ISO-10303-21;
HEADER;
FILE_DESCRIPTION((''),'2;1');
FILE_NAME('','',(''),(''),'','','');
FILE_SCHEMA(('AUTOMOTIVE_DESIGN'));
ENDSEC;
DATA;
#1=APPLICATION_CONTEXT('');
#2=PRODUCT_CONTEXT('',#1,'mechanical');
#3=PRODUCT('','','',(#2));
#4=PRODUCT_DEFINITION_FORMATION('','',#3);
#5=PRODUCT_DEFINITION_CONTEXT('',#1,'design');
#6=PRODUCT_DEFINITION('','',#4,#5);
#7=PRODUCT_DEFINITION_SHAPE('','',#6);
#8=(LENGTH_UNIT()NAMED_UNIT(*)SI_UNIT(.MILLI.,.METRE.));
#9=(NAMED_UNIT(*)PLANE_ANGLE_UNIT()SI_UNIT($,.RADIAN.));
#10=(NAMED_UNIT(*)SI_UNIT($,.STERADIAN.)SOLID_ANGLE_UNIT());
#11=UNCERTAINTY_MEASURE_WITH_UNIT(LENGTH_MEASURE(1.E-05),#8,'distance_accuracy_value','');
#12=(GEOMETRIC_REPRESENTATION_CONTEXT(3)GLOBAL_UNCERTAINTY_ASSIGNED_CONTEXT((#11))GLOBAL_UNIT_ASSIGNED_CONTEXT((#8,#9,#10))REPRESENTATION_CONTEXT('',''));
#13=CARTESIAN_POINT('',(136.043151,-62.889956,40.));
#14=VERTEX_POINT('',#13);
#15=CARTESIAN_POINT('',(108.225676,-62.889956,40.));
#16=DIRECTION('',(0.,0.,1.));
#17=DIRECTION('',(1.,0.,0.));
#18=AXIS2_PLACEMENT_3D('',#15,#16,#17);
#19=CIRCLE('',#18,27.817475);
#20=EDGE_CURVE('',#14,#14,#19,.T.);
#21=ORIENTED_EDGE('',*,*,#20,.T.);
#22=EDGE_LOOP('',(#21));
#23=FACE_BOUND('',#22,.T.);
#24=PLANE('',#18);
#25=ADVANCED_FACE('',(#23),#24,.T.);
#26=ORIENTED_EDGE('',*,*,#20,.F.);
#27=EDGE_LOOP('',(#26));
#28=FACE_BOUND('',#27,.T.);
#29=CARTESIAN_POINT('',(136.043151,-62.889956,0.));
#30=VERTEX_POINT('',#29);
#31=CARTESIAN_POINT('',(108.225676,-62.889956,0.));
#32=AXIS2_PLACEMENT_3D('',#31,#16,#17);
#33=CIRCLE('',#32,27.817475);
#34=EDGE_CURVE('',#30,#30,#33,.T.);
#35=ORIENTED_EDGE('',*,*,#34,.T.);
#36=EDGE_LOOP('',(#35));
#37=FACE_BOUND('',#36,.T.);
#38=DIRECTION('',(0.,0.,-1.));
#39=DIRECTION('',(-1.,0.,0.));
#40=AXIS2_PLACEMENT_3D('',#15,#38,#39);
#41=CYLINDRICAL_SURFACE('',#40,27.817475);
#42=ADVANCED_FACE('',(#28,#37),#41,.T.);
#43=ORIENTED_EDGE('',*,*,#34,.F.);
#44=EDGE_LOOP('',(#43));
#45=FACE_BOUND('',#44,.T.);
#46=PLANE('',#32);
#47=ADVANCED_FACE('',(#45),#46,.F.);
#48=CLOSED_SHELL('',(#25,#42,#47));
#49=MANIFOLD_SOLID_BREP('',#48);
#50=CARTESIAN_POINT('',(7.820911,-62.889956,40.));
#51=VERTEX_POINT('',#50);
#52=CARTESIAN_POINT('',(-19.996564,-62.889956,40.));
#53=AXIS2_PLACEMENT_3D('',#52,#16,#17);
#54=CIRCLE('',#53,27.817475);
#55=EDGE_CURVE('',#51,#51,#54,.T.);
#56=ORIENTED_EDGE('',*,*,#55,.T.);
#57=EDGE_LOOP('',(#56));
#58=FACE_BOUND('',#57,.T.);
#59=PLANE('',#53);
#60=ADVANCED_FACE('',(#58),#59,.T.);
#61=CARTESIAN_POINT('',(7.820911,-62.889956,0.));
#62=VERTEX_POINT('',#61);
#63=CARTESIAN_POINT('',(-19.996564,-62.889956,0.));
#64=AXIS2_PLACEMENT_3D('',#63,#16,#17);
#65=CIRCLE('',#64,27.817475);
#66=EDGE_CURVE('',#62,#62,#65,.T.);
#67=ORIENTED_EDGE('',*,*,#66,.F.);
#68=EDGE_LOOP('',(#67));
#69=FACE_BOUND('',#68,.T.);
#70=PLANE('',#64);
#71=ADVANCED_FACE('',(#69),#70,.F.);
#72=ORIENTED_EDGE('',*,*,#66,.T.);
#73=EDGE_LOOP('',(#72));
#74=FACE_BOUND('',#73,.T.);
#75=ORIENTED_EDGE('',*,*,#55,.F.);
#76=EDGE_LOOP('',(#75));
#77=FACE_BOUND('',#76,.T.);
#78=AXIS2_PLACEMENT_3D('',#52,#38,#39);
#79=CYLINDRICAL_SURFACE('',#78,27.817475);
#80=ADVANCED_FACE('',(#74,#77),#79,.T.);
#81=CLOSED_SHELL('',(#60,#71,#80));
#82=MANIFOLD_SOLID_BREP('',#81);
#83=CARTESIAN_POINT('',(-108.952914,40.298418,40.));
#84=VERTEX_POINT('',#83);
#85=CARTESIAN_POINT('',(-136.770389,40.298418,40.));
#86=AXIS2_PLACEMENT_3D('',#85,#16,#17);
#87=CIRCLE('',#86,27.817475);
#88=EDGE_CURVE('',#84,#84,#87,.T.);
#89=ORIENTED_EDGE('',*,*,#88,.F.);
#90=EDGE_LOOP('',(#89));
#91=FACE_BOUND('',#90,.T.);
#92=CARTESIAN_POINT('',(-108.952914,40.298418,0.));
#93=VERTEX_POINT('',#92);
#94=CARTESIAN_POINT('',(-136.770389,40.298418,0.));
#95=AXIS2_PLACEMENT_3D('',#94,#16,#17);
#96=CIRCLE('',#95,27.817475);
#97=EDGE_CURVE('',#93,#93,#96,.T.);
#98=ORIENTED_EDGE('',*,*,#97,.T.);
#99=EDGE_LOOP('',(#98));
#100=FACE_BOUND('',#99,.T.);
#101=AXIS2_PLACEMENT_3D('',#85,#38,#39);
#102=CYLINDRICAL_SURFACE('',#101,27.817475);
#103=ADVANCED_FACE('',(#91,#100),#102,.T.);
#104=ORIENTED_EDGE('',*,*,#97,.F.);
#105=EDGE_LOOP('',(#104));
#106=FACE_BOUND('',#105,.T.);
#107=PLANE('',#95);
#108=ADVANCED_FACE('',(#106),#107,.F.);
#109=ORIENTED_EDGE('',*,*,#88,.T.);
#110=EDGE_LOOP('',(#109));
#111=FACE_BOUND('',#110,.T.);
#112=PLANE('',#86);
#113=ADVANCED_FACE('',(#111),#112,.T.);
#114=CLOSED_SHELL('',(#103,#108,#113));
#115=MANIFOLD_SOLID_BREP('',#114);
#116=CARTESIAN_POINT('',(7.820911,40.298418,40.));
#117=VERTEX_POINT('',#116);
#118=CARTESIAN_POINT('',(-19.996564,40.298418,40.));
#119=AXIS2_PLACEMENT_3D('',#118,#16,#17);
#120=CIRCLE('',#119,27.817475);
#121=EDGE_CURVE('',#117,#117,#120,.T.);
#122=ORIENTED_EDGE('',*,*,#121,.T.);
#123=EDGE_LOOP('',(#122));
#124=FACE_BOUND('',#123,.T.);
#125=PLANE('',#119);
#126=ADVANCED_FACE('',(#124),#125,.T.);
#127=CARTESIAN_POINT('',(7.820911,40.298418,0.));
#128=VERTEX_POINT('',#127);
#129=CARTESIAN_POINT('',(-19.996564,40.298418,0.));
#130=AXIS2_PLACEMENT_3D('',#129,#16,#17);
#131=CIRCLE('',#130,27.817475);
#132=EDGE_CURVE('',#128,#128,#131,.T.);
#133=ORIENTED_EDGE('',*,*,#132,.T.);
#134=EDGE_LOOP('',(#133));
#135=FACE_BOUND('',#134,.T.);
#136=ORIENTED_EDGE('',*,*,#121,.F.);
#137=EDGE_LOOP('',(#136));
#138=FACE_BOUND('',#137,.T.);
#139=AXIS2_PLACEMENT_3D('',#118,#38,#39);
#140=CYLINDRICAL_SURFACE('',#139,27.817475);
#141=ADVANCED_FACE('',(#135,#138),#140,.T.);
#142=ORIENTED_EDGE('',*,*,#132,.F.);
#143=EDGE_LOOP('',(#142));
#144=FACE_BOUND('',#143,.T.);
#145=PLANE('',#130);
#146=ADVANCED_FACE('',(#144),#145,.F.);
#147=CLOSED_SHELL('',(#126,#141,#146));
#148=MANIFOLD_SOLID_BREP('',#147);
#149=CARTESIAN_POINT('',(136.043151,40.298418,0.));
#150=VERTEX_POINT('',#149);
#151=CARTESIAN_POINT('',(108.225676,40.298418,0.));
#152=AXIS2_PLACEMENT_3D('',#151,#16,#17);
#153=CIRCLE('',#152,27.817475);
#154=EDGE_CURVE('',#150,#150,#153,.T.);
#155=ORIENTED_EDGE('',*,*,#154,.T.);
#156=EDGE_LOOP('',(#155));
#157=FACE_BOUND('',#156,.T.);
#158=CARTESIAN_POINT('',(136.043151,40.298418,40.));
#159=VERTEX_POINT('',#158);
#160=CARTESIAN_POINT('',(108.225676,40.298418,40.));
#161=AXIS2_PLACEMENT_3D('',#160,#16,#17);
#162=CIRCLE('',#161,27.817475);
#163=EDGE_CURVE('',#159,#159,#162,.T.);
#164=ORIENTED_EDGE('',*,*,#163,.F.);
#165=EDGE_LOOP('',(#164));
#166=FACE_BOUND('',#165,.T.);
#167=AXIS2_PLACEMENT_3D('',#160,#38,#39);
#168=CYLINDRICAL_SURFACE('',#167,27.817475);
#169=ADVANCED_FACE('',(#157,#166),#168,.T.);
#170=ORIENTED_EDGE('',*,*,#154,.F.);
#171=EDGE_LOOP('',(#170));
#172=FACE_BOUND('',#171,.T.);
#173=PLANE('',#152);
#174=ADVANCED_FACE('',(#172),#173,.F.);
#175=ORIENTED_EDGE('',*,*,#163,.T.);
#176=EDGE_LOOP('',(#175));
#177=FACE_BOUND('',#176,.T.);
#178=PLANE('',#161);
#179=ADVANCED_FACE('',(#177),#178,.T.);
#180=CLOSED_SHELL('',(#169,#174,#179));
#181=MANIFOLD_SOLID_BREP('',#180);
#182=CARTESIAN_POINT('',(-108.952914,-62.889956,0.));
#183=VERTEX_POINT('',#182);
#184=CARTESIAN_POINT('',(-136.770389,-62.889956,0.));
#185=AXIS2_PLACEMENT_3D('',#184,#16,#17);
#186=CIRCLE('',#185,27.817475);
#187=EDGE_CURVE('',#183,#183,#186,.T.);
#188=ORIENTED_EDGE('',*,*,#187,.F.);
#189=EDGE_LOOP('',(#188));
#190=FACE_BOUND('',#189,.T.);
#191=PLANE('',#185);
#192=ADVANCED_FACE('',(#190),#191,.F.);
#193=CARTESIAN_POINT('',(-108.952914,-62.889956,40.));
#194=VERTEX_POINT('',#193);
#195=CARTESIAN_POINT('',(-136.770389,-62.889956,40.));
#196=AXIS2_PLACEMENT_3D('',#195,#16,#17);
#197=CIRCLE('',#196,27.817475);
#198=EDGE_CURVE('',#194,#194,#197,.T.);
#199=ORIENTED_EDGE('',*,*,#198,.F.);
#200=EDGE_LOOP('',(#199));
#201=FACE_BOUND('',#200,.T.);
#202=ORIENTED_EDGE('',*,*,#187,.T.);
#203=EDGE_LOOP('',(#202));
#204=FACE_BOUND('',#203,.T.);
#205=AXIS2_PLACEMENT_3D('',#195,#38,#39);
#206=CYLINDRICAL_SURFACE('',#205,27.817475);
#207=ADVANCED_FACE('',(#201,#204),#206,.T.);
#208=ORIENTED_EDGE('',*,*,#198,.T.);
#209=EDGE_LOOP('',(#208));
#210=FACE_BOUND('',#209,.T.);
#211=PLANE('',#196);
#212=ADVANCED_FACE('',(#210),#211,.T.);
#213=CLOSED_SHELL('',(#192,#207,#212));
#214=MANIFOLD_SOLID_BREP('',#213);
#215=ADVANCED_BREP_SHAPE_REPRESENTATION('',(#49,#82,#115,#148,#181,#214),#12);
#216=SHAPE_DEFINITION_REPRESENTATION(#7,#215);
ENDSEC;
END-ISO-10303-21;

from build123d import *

# Parameters (mm, degrees)
SKETCH1_R             = 27.817474812
BOSS_EXTRUDE1_DEPTH   = 40
BOSS_EXTRUDE1_2_DEPTH = 40
BOSS_EXTRUDE1_3_DEPTH = 40
BOSS_EXTRUDE1_4_DEPTH = 40
BOSS_EXTRUDE1_5_DEPTH = 40
BOSS_EXTRUDE1_6_DEPTH = 40


with BuildPart() as part:
    # Sketch1 → Boss-Extrude1 (new body)
    with BuildSketch(Plane.XY):
        with Locations((-136.770389137, 40.298418228)):
            Circle(SKETCH1_R)
    extrude(amount=BOSS_EXTRUDE1_DEPTH)


with BuildPart() as body_2:
    # Sketch1 → Boss-Extrude1 2 (new body)
    with BuildSketch(Plane.XY):
        with Locations((-19.99656359, 40.298418228)):
            Circle(SKETCH1_R)
    extrude(amount=BOSS_EXTRUDE1_2_DEPTH)


with BuildPart() as body_3:
    # Sketch1 → Boss-Extrude1 3 (new body)
    with BuildSketch(Plane.XY):
        with Locations((108.225676226, 40.298418228)):
            Circle(SKETCH1_R)
    extrude(amount=BOSS_EXTRUDE1_3_DEPTH)


with BuildPart() as body_4:
    # Sketch1 → Boss-Extrude1 4 (new body)
    with BuildSketch(Plane.XY):
        with Locations((-136.770389137, -62.889955719)):
            Circle(SKETCH1_R)
    extrude(amount=BOSS_EXTRUDE1_4_DEPTH)


with BuildPart() as body_5:
    # Sketch1 → Boss-Extrude1 5 (new body)
    with BuildSketch(Plane.XY):
        with Locations((-19.99656359, -62.889955719)):
            Circle(SKETCH1_R)
    extrude(amount=BOSS_EXTRUDE1_5_DEPTH)


with BuildPart() as body_6:
    # Sketch1 → Boss-Extrude1 6 (new body)
    with BuildSketch(Plane.XY):
        with Locations((108.225676226, -62.889955719)):
            Circle(SKETCH1_R)
    extrude(amount=BOSS_EXTRUDE1_6_DEPTH)


solid = Compound([part.part, body_2.part, body_3.part, body_4.part, body_5.part, body_6.part])
